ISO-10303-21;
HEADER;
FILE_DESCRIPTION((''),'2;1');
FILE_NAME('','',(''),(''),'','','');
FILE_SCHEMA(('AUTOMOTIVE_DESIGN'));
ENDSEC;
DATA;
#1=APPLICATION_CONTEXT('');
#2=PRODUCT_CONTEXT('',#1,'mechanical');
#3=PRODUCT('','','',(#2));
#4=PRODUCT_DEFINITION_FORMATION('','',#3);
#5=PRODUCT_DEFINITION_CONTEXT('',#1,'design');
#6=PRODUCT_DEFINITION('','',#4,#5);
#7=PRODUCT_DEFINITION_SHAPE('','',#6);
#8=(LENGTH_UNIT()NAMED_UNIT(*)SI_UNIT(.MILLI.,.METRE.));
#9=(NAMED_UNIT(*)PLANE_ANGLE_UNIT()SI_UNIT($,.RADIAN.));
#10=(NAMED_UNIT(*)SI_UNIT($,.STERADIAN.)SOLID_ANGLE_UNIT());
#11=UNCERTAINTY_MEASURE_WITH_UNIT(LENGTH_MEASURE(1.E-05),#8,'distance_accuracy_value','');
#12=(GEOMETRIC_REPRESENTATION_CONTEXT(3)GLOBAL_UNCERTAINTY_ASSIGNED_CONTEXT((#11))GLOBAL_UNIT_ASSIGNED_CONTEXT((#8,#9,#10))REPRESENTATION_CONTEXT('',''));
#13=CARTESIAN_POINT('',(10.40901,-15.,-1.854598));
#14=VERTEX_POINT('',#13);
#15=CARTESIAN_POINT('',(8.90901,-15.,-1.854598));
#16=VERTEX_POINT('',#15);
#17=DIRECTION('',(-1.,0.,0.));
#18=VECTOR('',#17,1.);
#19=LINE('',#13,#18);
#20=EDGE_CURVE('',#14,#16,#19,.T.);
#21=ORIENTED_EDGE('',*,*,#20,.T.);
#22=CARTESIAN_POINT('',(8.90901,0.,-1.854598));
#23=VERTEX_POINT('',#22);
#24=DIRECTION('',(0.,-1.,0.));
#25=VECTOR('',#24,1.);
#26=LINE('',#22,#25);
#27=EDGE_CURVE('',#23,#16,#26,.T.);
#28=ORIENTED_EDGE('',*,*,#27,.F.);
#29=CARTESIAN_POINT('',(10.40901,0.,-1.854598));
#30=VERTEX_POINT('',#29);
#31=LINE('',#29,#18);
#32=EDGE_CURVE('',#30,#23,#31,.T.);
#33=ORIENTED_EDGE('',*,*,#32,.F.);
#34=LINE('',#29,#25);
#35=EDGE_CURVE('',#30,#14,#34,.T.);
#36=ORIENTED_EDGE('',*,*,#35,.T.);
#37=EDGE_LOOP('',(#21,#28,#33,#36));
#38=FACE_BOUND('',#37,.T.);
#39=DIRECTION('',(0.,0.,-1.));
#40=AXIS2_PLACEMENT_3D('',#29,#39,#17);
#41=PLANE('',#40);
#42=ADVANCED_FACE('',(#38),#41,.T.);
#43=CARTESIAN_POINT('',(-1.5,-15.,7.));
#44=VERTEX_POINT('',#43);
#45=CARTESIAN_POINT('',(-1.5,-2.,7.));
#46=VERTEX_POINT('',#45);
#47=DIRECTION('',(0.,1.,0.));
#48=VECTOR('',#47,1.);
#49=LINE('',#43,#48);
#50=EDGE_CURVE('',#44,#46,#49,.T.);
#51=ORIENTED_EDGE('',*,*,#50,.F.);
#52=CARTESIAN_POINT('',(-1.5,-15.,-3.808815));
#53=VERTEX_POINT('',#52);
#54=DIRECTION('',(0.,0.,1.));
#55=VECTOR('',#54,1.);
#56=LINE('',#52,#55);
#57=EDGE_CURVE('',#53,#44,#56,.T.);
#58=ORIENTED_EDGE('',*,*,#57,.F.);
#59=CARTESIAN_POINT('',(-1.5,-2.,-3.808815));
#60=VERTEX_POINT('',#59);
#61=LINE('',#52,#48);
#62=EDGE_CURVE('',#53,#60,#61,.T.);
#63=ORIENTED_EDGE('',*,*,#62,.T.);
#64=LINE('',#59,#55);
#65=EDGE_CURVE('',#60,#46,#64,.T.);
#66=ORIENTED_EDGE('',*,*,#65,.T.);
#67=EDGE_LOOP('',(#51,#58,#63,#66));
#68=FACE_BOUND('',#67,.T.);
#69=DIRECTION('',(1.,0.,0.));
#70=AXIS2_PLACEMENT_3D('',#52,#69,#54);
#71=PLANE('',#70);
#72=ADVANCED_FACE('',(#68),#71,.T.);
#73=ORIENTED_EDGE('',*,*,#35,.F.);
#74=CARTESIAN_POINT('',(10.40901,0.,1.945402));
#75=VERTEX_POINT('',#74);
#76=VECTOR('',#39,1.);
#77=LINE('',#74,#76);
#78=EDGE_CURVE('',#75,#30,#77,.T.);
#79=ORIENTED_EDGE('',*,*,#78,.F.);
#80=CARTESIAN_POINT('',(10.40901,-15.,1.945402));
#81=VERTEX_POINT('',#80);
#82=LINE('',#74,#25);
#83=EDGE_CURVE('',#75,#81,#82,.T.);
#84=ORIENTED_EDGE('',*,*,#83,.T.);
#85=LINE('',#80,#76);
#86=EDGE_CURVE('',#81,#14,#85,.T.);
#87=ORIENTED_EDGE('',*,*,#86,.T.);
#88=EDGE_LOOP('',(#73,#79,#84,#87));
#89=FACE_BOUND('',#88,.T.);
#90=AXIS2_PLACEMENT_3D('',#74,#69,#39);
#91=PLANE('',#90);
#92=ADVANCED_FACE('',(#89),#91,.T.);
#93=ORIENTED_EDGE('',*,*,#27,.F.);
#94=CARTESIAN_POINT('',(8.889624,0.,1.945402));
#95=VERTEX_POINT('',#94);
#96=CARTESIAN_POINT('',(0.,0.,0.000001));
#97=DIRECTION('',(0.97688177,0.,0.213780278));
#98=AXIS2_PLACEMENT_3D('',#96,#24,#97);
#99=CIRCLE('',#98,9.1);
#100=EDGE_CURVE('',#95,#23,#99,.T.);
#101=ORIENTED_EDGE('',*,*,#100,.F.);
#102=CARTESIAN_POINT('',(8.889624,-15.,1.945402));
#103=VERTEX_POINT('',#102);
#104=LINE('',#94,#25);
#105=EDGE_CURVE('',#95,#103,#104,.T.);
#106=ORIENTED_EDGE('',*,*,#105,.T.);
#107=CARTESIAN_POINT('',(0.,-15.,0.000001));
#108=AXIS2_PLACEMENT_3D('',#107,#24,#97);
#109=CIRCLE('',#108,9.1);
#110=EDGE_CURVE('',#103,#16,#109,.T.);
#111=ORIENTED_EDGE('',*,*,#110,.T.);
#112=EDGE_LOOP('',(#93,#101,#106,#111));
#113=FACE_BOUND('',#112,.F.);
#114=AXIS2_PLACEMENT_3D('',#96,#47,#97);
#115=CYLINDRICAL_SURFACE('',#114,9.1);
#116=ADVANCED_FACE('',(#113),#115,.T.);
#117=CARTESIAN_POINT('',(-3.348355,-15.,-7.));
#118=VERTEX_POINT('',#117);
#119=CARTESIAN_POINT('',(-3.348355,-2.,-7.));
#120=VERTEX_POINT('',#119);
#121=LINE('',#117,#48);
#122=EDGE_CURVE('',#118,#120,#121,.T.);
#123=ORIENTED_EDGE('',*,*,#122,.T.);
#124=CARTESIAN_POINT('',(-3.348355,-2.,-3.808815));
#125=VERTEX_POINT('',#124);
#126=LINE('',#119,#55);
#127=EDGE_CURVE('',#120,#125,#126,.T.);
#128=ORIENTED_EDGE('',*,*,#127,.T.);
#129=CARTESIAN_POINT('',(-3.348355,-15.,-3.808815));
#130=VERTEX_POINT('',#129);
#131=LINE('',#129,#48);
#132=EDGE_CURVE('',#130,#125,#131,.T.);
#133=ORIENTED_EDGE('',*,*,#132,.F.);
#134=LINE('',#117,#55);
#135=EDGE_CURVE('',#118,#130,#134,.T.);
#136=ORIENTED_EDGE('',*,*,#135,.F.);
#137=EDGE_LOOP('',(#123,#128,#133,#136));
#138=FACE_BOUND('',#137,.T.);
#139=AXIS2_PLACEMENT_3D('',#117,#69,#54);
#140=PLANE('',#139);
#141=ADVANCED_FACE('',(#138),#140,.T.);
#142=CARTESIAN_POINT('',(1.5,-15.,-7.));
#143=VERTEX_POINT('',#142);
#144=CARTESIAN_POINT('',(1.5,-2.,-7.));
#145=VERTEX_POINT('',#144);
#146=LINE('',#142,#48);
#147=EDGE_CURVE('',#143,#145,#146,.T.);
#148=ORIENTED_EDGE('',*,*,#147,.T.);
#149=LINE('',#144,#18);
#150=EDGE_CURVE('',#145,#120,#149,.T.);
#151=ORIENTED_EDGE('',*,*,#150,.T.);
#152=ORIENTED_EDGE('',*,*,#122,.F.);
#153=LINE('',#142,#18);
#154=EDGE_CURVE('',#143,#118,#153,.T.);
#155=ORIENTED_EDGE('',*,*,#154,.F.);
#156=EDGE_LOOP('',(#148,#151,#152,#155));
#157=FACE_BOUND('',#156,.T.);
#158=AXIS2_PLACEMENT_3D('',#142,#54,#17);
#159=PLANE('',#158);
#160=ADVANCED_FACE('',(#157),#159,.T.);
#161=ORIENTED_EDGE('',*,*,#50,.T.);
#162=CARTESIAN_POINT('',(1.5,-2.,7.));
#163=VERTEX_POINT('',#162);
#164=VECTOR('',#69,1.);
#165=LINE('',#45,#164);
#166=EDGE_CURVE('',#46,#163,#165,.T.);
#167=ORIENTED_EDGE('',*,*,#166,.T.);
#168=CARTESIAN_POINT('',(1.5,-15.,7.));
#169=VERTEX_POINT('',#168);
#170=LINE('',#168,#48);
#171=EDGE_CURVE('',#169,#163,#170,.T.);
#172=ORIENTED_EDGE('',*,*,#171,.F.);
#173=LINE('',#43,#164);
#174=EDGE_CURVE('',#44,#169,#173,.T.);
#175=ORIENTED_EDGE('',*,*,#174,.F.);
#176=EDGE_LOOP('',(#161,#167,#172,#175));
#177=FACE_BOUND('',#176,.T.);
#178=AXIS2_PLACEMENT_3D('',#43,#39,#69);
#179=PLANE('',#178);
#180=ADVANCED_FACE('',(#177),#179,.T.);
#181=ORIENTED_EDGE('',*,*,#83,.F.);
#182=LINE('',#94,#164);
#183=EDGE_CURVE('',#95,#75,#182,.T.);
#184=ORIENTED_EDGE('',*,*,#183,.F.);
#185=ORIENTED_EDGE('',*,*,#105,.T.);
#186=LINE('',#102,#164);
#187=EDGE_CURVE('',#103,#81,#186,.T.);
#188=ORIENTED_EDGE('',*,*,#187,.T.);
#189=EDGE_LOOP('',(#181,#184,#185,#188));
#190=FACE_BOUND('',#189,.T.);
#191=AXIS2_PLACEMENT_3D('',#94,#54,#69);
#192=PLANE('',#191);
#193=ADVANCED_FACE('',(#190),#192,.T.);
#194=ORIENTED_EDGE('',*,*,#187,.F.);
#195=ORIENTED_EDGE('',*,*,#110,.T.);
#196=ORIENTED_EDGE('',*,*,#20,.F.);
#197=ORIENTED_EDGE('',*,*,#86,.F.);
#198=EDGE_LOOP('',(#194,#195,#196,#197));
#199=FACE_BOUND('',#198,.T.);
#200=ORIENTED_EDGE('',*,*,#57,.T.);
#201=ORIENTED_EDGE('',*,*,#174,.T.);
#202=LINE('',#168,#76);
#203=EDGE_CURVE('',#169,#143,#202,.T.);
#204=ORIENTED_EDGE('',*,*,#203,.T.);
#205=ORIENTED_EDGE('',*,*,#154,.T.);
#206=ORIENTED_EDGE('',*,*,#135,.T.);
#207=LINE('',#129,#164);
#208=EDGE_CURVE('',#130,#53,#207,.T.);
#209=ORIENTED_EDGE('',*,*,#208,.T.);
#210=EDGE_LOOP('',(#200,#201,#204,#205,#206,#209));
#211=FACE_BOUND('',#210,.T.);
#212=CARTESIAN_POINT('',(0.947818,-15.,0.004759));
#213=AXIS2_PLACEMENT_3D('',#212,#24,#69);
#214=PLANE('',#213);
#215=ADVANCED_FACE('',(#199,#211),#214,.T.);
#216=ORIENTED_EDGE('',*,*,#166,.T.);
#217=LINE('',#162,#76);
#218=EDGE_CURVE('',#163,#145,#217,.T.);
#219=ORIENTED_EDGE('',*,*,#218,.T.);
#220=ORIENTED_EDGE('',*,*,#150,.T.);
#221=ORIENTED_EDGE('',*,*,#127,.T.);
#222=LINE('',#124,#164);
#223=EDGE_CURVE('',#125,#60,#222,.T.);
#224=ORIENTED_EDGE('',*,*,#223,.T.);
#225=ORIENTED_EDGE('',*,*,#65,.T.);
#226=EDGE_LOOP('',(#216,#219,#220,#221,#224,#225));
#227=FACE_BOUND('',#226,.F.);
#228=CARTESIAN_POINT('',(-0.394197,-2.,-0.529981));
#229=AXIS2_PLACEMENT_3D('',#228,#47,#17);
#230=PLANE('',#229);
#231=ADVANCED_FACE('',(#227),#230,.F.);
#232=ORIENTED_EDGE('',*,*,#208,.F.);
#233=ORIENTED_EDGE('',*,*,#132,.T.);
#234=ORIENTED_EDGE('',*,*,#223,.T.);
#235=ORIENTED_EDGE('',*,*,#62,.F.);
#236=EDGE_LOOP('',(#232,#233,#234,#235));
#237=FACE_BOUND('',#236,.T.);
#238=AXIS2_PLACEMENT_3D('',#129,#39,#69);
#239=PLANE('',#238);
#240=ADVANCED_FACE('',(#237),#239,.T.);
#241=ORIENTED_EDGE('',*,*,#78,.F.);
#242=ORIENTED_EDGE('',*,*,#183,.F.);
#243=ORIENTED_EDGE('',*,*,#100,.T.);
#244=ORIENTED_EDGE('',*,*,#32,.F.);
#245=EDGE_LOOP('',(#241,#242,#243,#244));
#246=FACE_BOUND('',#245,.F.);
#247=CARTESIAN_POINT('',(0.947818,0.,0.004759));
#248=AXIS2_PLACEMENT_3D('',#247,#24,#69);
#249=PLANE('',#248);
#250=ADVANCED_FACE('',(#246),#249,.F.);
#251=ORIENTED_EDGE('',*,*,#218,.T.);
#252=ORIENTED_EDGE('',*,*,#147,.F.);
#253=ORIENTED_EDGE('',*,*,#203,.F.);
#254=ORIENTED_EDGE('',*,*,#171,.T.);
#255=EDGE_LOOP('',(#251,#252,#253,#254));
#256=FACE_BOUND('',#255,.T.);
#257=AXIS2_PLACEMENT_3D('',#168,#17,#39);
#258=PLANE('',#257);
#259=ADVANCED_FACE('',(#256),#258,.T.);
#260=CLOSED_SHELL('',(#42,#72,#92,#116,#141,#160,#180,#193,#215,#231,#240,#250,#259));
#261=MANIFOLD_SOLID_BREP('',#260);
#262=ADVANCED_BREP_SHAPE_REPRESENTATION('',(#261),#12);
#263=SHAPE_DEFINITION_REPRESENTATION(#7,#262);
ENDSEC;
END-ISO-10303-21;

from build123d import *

# Parameters (mm, degrees)
PAD_DEPTH    = 15
POCKET_DEPTH = 13


with BuildPart() as part:
    # Sketch → Pad (new body)
    with BuildSketch(Plane.XZ):
        with BuildLine():
            ThreePointArc((8.889624, 1.945402), (-9.099882, -0.046426), (8.90901, -1.854598))
            Line((10.40901, -1.854598), (8.90901, -1.854598))
            Line((10.40901, 1.945402), (10.40901, -1.854598))
            Line((8.889624, 1.945402), (10.40901, 1.945402))
        make_face()
    extrude(amount=PAD_DEPTH)

    # Sketch001 (on Face6 of Pad) → Pocket (cut)
    with BuildSketch(Plane.XZ.offset(15)):
        Polygon((-1.5, 7), (1.5, 7), (1.5, -7), (-3.348355, -7), (-3.348355, -3.808815), (-1.5, -3.808815), align=None)
    extrude(amount=-POCKET_DEPTH, mode=Mode.SUBTRACT)


solid = part.part
